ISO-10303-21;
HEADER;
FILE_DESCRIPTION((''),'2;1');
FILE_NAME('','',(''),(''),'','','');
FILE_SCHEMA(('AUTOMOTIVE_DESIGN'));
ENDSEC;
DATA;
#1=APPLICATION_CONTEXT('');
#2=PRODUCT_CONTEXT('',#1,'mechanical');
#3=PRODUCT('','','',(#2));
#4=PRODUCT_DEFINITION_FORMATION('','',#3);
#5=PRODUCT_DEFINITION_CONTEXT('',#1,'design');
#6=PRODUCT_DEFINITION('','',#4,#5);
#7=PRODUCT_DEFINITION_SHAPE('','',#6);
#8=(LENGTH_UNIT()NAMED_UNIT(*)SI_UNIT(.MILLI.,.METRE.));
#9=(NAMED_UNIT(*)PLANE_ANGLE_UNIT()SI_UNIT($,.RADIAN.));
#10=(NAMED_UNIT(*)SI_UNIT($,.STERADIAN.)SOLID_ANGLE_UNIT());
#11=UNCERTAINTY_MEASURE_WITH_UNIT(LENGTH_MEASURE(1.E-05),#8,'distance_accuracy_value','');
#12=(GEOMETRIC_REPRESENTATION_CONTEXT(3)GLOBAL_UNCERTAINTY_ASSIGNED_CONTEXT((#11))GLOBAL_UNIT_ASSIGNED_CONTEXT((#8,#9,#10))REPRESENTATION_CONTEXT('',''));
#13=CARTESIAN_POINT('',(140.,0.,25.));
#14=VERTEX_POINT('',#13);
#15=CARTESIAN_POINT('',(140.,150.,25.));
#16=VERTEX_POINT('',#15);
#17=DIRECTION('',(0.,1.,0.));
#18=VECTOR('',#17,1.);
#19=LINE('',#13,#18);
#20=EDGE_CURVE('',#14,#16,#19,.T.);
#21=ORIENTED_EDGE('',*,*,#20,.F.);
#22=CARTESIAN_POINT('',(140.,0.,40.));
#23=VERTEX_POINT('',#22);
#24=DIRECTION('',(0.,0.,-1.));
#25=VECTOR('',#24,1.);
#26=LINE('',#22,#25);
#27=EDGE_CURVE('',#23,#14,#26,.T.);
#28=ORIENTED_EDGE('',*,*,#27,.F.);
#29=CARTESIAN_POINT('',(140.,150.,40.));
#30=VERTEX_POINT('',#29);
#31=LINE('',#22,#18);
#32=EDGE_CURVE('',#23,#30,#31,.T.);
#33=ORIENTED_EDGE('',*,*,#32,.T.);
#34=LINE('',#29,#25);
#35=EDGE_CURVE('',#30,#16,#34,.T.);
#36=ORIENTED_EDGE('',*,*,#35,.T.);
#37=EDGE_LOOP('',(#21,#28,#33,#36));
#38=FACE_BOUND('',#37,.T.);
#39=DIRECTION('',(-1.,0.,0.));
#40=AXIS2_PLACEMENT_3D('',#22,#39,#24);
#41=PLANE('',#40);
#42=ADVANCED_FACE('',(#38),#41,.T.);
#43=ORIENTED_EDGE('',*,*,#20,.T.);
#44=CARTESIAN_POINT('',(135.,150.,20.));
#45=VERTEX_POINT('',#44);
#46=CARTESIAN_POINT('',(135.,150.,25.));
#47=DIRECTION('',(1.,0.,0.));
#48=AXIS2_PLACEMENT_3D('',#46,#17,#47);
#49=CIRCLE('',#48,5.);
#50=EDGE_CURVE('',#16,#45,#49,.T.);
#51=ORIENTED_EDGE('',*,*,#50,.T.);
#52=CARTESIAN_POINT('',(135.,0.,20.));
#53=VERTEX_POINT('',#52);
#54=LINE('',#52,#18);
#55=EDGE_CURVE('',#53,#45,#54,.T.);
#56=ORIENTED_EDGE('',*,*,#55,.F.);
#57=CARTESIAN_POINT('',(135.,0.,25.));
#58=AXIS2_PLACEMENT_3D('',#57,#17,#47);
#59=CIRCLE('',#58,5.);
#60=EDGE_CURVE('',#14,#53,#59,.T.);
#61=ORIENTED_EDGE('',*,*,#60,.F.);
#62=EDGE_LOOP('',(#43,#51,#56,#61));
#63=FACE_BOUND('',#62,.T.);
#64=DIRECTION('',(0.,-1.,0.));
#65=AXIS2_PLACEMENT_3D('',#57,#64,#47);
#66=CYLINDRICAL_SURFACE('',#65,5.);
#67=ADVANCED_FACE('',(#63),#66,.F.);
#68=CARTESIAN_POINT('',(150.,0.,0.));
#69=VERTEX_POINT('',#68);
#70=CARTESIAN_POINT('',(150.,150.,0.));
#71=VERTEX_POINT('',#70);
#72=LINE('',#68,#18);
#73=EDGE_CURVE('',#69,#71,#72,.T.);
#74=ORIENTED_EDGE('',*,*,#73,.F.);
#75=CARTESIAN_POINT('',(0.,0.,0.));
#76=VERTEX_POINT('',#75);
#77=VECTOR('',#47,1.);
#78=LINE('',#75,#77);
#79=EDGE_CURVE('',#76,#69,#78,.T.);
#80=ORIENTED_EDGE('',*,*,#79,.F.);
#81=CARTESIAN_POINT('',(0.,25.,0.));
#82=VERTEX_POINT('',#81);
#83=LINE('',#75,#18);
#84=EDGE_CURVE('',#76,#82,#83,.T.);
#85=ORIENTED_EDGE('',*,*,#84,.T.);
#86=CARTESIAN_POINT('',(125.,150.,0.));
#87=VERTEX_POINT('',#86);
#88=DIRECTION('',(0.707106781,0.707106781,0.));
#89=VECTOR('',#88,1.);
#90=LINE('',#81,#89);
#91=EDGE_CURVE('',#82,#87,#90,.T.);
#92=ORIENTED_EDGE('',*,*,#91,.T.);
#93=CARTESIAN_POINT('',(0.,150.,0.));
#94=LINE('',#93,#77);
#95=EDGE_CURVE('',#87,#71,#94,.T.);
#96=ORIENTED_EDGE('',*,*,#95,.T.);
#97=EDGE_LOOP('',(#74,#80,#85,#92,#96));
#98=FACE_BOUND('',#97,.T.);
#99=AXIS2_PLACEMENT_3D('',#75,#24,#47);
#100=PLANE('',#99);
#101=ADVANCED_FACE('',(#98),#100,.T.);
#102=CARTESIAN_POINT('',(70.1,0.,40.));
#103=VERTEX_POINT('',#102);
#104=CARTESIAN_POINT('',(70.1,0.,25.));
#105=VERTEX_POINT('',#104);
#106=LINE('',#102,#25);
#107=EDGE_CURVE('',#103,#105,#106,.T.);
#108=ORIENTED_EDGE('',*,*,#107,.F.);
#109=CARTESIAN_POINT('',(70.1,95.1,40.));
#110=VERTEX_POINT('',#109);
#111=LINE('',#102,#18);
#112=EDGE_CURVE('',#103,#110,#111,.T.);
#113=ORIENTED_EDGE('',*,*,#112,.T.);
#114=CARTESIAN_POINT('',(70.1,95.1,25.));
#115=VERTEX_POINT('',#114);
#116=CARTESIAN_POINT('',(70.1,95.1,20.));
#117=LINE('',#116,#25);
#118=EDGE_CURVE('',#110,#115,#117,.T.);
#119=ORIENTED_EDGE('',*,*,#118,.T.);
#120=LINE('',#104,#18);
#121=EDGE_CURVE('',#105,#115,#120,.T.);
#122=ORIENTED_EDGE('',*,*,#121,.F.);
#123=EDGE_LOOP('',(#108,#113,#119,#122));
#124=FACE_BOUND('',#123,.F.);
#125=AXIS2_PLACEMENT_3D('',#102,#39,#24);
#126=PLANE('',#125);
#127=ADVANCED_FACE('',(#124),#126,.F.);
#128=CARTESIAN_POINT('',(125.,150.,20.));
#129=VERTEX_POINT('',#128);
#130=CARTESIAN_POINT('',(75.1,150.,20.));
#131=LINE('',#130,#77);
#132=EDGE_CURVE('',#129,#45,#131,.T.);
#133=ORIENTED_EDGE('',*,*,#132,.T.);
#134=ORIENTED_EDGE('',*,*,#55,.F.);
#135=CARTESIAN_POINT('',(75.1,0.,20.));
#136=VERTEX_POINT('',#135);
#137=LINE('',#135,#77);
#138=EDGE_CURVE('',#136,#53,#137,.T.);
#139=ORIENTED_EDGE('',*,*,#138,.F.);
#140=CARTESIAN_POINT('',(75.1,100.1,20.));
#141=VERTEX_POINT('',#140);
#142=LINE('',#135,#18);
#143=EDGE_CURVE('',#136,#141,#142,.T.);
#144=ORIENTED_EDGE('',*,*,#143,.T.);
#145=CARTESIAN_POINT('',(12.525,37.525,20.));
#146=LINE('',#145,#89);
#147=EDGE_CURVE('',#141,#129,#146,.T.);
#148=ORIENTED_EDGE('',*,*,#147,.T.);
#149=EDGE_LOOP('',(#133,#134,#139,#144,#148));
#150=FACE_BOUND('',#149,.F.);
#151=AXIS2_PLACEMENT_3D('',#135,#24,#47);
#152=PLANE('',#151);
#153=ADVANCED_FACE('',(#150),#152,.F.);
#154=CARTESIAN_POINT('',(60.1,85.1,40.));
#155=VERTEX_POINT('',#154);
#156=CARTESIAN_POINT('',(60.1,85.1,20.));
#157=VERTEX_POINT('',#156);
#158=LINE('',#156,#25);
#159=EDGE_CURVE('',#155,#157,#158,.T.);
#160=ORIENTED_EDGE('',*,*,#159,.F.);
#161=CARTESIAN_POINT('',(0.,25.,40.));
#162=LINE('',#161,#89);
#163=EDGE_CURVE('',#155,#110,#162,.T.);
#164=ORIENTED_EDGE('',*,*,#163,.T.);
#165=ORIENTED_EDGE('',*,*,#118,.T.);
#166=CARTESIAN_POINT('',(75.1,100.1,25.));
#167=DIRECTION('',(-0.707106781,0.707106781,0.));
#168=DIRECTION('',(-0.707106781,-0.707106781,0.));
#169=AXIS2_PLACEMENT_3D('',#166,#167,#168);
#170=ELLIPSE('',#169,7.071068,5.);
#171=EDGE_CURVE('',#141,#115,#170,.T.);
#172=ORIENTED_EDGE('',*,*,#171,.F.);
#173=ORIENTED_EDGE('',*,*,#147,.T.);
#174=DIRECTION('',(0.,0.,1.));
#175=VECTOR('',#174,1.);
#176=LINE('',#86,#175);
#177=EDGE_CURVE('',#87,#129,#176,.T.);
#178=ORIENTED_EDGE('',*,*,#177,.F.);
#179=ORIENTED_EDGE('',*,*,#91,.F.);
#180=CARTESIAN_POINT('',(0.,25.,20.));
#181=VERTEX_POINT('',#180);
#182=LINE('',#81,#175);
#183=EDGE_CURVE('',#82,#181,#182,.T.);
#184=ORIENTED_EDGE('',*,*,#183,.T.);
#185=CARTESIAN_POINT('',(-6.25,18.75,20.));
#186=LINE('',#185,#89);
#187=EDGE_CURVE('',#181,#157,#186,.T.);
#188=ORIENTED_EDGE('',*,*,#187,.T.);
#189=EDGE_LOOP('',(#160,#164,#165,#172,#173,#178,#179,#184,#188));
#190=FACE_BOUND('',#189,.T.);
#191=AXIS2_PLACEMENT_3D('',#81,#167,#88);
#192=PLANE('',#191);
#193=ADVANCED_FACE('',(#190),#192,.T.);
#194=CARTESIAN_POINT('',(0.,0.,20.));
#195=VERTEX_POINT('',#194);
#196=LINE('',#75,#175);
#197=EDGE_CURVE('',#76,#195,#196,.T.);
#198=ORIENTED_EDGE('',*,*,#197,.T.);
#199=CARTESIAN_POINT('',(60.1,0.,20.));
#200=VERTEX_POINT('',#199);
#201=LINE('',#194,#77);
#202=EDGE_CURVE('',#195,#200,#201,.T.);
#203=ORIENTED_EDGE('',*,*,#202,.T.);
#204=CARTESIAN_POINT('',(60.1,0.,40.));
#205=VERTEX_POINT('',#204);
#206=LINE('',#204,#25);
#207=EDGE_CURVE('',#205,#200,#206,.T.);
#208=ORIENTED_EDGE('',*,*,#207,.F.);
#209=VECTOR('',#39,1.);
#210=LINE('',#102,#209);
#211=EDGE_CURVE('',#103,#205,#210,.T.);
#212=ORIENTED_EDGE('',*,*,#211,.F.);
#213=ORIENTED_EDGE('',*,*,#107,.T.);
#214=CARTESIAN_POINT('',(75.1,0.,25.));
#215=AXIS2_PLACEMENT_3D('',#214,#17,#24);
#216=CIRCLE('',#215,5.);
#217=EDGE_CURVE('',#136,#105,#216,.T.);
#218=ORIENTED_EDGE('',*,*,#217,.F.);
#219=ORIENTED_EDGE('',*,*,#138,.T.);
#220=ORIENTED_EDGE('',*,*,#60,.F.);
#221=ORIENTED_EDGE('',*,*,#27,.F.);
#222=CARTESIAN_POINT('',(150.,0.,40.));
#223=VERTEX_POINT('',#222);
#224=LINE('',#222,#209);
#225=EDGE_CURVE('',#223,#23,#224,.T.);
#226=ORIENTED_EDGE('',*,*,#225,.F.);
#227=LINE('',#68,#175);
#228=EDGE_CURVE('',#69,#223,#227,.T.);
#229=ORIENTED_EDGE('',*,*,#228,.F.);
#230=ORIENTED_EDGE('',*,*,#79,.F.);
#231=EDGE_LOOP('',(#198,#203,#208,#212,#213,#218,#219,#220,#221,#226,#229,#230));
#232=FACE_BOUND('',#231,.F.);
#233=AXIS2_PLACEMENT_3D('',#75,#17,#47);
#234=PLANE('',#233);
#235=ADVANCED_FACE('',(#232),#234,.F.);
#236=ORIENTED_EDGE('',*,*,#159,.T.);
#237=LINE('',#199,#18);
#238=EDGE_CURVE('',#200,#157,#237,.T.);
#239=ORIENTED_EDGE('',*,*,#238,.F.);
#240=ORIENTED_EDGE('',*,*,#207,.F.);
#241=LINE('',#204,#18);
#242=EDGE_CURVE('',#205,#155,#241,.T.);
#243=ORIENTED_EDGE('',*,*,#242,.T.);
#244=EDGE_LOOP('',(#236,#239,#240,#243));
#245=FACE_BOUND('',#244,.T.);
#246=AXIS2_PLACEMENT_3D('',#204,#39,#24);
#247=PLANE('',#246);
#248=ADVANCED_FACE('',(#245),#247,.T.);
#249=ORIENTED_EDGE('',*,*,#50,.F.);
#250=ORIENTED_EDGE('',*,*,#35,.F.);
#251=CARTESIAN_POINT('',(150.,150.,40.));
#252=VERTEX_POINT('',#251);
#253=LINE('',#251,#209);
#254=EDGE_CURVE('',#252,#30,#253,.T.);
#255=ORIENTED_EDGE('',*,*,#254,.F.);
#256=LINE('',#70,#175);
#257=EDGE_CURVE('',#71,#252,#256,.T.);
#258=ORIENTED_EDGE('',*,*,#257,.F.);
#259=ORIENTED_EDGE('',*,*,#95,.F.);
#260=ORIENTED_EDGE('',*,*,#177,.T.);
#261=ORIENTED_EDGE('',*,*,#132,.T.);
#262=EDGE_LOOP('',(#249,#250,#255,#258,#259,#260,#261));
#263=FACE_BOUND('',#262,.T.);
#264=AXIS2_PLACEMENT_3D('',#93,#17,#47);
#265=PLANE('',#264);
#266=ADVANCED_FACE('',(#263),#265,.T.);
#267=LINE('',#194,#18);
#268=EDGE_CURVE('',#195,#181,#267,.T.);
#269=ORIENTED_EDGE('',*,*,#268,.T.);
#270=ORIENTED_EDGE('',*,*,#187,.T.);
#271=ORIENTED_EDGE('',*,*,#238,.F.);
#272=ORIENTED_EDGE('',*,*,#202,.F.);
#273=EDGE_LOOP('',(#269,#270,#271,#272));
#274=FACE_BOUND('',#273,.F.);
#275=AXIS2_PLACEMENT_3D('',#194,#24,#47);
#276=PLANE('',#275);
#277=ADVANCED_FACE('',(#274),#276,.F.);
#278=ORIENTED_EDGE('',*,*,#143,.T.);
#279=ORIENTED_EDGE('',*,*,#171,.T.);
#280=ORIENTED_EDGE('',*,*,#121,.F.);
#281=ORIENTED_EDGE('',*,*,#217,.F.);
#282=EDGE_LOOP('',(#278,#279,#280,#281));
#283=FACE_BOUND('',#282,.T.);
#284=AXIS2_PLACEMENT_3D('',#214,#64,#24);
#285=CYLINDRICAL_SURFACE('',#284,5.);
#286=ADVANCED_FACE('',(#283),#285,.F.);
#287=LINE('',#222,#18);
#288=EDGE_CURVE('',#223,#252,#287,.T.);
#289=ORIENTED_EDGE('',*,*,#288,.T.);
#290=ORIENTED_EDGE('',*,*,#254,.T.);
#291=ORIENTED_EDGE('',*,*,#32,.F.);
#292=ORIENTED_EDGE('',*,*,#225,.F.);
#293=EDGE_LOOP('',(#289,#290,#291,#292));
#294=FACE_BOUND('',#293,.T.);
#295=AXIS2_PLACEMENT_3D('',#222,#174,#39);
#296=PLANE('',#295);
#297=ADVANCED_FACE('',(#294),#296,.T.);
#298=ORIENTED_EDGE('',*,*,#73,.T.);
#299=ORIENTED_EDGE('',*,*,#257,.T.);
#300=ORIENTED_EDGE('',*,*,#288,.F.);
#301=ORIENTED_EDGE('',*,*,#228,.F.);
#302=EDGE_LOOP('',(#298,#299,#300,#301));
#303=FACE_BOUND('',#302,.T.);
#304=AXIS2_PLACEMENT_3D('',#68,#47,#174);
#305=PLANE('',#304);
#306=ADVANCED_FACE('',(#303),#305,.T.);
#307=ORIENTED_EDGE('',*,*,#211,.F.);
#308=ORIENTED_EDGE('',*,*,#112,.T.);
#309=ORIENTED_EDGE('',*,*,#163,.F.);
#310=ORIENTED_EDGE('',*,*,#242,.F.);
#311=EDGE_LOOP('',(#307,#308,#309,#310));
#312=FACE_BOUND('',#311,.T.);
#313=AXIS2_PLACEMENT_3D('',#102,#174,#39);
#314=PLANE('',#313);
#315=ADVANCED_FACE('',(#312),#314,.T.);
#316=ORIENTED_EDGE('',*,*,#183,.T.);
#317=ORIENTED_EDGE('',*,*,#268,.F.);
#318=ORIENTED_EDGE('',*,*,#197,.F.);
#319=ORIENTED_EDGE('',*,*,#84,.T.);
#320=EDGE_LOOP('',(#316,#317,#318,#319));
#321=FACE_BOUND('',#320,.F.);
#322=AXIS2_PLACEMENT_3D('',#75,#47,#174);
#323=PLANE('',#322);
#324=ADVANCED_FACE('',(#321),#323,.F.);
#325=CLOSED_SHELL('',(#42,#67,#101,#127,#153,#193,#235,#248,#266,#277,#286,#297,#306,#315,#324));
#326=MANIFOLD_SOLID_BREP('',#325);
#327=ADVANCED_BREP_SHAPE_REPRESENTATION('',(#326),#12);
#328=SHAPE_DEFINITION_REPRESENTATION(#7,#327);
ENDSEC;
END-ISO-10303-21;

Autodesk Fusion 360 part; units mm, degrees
sketch "Sketch5" plane through (0, 0, 0) normal (0, 1, 0) x (1, 0, 0)
  line L0 (150, 0) -> (150, -40)
  line L1 (150, -40) -> (140, -40)
  line L2 (140, -40) -> (140, -25)
  line L3 (150, 0) -> (150, -40)
  line L4 (70.1, -40) -> (70.1, -25)
  line L5 (75.1, -20) -> (135, -20)
  line L6 (140, -25) -> (140, -40)
  line L7 (70.1, -40) -> (60.1, -40)
  line L8 (60.1, -40) -> (60.1, -20)
  line L9 (70.1, -25) -> (70.1, -40)
  line L10 (150, -40) -> (140, -40)
  line L11 (70.1, -40) -> (60.1, -40)
  arc A0 (75.1, -20) -> (70.1, -25) centre (75.1, -25) ccw
  arc A1 (140, -25) -> (135, -20) centre (135, -25) ccw
  line L12 (0, 0) -> (0, -20)
  line L13 (0, -20) -> (60.1, -20)
  line L14 (0, 0) -> (150, 0)
  dimension "d18" = 10
  dimension "d19" = 69.9
  dimension "d20" = 10
  dimension "d21" = 5
  dimension "d24" = 150
  dimension "d34" = 40
  dimension "d35" = 20
extrude "Extrude5" add sketch "Sketch5" along normal blind 150
sketch "Sketch6" plane through (0, 0, 0) normal (0, 0, -1) x (1, 0, 0)
  line L0 (150, 0) -> (0, 0)
  line L1 (0, 0) -> (0, -150)
  line L2 (0, -150) -> (150, -150)
  line L3 (150, -150) -> (150, 0)
  line L4 (0, -150) -> (125, -150)
  line L5 (125, -150) -> (125, -25)
  line L6 (125, -25) -> (0, -25)
  line L7 (0, -25) -> (0, -150)
  line L8 (0, -25) -> (125, -150)
  dimension "d29" = 125
  dimension "d30" = 125
extrude "Extrude6" cut sketch "Sketch6" against normal up to surface (40 mm away) contours L1 L2 L4 L7 L8
equation "ExtrusionRadius = 5 mm"
equation "ExtrusionWidth = 69.9 mm"
equation "d18 = WallWidth"
equation "d19 = ExtrusionWidth"
equation "d20 = WallWidth"
equation "d21 = ExtrusionRadius"
equation "WallWidth = 10 mm"
equation "d24 = Base"
equation "Base = 150 mm"
equation "d26 = Base"
equation "BaseCorner = Base - 25 mm"
equation "d29 = BaseCorner"
equation "d30 = BaseCorner"
equation "ToolHeight = 40 mm"
equation "d34 = ToolHeight"
equation "d35 = ToolHeight / 2"
